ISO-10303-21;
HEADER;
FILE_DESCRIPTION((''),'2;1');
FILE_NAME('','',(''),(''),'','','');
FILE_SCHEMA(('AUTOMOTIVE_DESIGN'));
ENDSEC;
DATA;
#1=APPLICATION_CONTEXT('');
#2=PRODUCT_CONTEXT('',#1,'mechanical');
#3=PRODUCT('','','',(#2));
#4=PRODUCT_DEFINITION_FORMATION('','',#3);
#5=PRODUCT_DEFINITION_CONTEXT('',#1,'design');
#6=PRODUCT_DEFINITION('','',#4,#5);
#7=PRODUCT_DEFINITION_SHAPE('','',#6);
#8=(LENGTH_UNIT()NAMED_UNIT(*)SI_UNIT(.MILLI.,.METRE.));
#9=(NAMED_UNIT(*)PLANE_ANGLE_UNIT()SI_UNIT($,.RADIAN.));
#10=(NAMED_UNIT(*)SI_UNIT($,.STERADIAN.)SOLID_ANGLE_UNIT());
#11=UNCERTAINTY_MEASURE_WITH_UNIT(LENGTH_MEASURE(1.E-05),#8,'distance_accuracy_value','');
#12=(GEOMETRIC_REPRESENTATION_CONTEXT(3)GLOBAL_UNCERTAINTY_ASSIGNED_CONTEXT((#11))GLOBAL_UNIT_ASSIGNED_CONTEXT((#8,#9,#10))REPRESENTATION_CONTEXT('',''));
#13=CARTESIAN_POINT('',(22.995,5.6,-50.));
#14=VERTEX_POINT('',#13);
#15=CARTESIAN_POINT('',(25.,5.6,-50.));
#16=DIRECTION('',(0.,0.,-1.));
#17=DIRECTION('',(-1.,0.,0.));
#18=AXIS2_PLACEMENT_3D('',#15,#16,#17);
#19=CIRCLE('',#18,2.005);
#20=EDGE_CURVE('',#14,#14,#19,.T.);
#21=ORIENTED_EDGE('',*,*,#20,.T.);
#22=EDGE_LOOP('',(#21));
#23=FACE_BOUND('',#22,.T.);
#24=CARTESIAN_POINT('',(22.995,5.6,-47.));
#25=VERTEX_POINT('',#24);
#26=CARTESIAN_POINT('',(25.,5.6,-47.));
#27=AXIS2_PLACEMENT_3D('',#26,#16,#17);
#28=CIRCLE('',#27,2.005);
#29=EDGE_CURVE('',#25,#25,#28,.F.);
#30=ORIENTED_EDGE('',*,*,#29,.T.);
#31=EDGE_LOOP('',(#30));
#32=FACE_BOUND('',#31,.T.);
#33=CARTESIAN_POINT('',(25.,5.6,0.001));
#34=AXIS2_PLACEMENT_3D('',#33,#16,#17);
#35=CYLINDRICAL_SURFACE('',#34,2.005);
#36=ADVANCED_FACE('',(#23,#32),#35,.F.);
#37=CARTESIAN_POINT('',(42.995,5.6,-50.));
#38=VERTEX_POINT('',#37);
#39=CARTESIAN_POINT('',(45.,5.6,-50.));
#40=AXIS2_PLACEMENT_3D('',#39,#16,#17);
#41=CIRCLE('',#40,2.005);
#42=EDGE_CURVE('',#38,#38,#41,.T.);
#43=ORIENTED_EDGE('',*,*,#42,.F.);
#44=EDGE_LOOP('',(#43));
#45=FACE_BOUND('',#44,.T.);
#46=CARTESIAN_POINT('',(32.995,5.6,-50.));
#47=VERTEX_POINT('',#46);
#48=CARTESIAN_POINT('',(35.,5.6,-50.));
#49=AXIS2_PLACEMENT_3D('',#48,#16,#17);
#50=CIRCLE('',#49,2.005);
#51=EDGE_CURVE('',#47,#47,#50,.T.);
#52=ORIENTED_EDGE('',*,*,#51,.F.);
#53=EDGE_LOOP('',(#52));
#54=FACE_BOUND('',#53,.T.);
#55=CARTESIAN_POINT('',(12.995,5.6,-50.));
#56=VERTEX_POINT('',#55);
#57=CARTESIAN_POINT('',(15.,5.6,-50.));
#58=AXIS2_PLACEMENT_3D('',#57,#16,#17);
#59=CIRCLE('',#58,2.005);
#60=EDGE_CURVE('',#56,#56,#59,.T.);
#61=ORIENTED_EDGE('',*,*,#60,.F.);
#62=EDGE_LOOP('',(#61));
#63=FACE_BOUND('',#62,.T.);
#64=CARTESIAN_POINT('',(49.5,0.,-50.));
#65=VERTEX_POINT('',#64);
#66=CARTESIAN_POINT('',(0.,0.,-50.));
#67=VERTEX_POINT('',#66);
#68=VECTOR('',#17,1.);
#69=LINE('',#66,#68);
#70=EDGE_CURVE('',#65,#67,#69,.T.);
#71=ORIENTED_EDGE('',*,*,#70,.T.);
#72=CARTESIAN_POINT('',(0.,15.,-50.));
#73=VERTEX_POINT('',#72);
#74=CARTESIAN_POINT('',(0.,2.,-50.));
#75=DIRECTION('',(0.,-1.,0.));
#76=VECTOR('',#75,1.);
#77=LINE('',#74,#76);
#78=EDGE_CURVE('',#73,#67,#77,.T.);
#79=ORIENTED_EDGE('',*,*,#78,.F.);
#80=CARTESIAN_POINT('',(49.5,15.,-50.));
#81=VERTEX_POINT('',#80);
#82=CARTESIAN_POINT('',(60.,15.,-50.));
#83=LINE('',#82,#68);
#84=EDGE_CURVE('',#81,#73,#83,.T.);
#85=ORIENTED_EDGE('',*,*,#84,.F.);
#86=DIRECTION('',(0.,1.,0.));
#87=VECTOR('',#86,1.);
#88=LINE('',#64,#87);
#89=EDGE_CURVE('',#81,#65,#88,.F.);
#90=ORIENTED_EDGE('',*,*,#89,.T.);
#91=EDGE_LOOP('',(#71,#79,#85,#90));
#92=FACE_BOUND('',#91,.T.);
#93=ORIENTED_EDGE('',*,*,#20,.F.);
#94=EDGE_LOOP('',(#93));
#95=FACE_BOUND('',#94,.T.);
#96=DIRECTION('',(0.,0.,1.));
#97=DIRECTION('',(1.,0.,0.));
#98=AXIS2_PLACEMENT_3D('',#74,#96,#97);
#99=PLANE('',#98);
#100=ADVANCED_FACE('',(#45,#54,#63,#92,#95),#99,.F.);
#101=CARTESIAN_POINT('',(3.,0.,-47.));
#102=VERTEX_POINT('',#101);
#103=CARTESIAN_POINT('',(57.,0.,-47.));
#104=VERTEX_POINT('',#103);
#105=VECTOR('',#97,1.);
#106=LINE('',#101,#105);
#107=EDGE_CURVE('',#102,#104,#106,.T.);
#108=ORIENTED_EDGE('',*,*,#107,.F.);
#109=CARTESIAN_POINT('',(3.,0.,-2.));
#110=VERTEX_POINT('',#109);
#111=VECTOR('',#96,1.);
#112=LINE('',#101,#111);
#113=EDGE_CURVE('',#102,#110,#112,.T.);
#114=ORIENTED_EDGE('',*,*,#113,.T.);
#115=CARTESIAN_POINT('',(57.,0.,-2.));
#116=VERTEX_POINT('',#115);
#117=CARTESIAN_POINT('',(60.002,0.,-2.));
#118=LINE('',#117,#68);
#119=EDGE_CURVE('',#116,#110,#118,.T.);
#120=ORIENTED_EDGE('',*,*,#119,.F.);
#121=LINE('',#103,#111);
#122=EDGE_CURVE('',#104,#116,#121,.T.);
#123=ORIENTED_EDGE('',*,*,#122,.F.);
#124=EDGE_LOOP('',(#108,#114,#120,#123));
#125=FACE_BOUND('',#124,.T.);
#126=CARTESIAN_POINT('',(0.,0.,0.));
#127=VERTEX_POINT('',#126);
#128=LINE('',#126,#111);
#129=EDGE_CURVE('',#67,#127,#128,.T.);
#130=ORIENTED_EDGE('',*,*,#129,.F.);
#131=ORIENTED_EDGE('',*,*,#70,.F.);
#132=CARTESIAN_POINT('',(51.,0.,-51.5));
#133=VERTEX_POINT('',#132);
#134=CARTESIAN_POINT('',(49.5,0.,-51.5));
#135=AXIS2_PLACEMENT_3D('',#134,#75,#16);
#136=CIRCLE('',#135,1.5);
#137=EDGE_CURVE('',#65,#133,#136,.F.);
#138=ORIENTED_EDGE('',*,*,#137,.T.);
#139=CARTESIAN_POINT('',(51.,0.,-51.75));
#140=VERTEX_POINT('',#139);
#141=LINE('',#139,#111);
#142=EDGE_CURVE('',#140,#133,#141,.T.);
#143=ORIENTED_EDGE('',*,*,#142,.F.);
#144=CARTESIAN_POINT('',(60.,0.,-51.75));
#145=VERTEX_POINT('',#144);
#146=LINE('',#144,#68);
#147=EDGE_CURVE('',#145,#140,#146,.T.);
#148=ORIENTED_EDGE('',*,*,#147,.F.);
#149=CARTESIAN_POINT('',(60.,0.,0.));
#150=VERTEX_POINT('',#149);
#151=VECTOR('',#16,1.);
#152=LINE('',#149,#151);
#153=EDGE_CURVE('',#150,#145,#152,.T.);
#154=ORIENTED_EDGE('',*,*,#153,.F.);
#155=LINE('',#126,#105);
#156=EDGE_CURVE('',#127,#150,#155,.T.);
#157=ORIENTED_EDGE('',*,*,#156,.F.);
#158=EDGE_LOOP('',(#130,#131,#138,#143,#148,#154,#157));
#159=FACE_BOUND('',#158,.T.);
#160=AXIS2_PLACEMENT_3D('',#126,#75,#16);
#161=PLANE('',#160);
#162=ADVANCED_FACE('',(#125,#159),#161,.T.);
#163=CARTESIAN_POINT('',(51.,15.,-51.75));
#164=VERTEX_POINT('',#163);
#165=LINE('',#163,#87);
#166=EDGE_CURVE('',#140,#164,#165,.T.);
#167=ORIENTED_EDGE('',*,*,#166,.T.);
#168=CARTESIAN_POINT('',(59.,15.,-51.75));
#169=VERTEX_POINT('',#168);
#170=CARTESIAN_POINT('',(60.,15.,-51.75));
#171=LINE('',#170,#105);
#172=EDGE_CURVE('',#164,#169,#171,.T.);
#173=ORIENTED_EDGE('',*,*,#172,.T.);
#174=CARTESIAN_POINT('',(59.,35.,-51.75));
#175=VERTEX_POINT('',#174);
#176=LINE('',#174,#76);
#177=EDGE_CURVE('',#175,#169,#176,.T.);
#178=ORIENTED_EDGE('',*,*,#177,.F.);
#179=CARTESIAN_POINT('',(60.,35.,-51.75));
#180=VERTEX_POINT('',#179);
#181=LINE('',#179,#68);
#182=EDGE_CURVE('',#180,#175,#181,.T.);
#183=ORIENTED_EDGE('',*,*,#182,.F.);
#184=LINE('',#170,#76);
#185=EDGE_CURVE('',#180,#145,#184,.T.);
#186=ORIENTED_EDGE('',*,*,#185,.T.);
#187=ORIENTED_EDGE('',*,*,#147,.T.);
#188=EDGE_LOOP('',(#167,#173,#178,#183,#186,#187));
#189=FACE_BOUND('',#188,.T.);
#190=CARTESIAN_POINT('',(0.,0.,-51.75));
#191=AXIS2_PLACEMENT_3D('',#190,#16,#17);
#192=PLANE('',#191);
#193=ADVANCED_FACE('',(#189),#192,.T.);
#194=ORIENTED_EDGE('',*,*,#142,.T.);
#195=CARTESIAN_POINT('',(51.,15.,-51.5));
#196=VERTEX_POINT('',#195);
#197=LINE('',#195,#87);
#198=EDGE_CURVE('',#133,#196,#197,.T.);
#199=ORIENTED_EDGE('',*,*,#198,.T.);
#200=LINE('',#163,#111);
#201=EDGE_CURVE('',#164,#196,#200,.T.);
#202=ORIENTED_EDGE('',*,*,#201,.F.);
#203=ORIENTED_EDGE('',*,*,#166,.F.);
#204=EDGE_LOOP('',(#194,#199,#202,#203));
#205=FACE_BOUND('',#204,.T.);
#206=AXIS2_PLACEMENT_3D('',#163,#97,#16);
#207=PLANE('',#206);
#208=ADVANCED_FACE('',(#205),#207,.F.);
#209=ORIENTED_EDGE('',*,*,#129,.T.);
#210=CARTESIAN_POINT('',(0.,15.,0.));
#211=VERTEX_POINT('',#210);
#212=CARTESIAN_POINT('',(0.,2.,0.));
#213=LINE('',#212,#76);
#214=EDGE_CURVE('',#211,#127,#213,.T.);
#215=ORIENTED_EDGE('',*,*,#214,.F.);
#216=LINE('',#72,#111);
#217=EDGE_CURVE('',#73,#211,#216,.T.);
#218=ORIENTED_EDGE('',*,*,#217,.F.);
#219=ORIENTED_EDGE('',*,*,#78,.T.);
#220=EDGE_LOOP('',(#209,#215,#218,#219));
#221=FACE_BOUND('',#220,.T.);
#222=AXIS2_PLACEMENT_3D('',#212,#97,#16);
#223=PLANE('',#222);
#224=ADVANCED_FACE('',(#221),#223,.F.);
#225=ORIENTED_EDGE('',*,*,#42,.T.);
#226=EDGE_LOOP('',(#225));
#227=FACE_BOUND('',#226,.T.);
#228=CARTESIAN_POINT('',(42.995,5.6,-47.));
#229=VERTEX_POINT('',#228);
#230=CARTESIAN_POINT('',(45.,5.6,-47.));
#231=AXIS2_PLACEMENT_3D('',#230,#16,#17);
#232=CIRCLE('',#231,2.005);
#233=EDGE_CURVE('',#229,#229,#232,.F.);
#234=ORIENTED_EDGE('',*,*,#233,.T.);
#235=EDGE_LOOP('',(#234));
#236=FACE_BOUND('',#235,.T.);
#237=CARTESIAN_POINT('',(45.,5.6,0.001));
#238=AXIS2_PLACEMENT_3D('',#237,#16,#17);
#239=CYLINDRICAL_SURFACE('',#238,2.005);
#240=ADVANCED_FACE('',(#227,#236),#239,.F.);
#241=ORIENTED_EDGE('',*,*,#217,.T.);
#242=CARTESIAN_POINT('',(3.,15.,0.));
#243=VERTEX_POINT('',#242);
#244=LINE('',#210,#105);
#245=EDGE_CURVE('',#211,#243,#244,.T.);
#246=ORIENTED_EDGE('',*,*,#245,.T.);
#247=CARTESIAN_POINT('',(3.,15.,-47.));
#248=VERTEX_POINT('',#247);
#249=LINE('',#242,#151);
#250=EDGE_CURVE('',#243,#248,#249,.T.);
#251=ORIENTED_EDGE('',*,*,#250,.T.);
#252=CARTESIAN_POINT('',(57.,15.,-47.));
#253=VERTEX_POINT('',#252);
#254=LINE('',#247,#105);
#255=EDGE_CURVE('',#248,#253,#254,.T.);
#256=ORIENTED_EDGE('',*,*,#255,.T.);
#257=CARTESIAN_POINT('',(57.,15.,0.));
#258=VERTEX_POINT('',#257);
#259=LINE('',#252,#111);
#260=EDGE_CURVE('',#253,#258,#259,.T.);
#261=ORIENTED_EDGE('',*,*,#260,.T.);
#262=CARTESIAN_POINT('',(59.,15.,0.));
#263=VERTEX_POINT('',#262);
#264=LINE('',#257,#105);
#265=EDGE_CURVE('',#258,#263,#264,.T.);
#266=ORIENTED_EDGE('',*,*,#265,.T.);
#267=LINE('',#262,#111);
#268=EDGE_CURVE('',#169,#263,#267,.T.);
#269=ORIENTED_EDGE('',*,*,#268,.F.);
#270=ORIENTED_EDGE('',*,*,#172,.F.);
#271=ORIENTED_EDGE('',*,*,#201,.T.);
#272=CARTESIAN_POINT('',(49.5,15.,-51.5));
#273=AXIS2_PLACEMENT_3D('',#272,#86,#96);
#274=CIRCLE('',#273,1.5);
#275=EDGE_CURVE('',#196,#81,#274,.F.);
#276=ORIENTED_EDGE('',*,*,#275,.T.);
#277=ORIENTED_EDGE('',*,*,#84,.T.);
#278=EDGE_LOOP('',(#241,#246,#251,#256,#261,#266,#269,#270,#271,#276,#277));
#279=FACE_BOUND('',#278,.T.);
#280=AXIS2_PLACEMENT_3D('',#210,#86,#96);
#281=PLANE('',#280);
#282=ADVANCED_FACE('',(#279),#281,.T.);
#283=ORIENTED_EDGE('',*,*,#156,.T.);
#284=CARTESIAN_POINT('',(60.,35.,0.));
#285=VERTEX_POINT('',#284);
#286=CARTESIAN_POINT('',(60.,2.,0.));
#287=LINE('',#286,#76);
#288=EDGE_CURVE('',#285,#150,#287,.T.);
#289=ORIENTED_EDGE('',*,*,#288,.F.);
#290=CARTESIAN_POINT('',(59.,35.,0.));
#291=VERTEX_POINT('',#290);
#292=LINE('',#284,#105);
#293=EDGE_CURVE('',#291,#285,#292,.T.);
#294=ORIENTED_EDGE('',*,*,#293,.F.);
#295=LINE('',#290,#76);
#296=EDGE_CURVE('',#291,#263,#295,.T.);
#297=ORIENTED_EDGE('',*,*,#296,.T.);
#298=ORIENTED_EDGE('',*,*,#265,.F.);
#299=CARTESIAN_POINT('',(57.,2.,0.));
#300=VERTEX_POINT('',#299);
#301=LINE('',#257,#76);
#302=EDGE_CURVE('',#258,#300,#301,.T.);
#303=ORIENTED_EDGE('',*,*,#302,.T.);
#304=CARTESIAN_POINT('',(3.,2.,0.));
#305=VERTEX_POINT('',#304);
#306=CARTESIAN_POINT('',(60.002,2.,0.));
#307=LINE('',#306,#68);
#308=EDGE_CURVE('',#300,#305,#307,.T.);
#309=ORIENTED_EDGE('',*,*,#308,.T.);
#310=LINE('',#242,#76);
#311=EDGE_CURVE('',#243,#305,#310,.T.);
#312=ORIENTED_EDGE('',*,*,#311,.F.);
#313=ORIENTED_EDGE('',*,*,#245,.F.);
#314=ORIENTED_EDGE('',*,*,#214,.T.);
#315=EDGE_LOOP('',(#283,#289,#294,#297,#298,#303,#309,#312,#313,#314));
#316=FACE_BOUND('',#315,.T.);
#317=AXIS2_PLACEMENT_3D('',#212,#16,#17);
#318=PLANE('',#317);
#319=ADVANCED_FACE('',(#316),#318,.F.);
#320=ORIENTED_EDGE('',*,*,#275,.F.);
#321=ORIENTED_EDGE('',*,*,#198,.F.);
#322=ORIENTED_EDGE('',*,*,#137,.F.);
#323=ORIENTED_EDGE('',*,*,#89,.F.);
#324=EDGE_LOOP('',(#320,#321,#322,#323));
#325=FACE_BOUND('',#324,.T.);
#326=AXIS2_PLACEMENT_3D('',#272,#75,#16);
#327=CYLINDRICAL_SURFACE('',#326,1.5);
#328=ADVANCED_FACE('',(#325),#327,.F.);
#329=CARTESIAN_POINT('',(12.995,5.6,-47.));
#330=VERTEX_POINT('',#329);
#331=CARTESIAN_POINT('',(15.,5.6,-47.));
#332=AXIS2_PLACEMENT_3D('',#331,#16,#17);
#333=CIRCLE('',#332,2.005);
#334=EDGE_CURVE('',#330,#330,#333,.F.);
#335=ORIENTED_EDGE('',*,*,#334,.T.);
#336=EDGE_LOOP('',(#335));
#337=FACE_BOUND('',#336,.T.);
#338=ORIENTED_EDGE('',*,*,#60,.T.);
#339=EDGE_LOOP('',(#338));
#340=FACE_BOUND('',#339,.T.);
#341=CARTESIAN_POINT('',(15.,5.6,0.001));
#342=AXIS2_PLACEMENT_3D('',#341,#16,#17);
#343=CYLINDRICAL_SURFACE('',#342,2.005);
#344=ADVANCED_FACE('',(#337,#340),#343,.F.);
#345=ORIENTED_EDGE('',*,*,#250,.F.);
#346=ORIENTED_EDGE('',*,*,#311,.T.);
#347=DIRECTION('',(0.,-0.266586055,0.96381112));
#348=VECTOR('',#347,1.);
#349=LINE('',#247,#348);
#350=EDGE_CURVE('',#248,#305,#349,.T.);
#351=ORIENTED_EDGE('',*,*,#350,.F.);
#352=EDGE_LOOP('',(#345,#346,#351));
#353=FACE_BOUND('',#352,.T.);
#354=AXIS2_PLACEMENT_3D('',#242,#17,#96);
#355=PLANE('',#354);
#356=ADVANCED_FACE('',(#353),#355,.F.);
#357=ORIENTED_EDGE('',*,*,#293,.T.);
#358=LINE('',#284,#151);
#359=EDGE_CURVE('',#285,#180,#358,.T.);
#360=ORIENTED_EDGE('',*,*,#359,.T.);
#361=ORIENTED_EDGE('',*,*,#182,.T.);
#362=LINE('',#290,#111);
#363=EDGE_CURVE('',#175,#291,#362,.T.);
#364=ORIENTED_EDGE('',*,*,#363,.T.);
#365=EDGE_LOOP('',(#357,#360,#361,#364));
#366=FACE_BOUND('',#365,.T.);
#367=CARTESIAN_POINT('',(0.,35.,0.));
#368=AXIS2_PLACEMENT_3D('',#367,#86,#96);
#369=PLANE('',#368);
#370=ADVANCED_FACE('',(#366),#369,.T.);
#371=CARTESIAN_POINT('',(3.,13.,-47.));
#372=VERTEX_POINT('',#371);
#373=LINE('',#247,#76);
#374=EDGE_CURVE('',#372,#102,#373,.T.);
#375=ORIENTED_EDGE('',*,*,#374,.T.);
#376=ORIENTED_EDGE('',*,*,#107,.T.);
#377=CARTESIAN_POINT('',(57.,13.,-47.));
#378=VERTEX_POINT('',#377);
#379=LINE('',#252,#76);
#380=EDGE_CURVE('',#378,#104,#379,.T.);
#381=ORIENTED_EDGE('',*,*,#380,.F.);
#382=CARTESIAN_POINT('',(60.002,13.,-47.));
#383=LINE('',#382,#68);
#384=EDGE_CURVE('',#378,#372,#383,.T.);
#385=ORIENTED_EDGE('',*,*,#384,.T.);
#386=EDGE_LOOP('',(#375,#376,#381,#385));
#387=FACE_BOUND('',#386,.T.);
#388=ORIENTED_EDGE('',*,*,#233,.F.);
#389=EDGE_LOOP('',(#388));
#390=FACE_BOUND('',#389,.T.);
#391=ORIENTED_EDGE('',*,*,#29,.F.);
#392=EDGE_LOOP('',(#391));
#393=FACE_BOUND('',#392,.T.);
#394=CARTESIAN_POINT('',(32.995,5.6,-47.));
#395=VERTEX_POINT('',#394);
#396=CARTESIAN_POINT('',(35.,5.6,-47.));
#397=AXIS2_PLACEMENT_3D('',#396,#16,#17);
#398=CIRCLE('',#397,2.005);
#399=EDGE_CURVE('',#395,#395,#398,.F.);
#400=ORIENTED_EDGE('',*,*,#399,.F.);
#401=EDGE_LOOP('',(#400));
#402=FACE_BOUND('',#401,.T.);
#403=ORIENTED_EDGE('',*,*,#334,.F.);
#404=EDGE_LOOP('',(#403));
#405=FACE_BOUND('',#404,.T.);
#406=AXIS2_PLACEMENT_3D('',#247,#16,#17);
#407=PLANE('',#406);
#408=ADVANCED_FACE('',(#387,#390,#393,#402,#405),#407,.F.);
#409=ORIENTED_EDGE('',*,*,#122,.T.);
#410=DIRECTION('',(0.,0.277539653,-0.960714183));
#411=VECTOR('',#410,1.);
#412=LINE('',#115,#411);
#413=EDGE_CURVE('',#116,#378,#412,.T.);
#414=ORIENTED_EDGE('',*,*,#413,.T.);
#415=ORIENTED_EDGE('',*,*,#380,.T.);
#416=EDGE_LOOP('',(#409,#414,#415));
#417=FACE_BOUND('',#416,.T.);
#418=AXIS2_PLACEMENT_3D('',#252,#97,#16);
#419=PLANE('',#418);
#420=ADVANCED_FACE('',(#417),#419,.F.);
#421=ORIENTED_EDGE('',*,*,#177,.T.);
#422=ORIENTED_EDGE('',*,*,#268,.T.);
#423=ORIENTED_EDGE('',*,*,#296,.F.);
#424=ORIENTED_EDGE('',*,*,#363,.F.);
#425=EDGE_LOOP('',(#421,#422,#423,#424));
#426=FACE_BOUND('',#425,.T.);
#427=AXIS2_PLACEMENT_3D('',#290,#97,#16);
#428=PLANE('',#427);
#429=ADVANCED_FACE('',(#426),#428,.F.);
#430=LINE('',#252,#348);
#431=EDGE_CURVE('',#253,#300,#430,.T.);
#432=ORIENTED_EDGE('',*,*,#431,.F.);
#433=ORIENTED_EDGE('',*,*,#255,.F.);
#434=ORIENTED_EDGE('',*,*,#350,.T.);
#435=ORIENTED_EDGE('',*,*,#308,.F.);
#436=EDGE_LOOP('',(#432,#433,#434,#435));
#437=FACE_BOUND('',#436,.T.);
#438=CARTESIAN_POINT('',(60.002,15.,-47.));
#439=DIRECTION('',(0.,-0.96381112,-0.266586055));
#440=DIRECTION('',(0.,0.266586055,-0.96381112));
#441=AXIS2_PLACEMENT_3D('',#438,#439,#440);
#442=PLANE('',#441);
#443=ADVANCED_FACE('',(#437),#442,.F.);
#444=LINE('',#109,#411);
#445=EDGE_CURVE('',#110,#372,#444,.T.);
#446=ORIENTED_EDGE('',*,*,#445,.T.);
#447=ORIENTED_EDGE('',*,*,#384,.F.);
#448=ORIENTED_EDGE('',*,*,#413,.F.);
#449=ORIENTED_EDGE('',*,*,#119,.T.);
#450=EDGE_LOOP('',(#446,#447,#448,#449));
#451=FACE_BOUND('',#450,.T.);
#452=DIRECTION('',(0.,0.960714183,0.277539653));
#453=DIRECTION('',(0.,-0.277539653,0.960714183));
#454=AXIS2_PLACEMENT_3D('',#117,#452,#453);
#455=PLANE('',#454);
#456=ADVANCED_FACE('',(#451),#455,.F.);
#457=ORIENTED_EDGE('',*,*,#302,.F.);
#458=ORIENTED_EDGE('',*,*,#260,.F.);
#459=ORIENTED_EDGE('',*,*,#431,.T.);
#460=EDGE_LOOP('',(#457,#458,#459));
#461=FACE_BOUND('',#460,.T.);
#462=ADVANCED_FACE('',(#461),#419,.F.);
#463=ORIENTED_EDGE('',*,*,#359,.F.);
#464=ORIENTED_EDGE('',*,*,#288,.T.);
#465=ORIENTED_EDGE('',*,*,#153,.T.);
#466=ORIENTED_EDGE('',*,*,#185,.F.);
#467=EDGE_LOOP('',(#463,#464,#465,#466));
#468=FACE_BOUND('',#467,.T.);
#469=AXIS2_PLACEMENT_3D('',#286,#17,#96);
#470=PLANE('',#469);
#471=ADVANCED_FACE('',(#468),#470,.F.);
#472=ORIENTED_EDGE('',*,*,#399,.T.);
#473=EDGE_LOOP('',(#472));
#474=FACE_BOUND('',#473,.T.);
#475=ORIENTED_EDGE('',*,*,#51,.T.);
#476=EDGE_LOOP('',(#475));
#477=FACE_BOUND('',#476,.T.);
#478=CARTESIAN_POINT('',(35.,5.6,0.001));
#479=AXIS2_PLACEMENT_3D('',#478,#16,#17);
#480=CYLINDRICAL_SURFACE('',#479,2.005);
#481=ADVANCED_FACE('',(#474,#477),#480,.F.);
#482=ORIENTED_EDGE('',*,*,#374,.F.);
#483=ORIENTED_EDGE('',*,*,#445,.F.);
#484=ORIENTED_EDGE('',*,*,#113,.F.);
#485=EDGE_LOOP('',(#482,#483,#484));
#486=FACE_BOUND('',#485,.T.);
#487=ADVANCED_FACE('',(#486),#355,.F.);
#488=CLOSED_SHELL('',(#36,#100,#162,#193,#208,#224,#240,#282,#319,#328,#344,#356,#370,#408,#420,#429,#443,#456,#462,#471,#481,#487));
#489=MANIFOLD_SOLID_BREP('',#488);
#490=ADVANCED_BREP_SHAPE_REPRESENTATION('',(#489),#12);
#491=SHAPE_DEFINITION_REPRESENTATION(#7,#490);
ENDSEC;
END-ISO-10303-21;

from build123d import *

# Parameters (mm, degrees)
SKETCH1_W           = 60
SKETCH1_H           = 50
BOSS_EXTRUDE1_DEPTH = 2
BOSS_EXTRUDE2_DEPTH = 13
SKETCH3_W           = 9
SKETCH3_H           = 15
BOSS_EXTRUDE3_DEPTH = 1.75
FILLET1_R           = 1.5
CUT_EXTRUDE1_REACH  = 81.53
SKETCH4_R           = 2.005
SKETCH5_W           = 1
SKETCH5_H           = 51.75
BOSS_EXTRUDE4_DEPTH = 20
SKETCH6_W           = 54
SKETCH6_H           = 2
CUT_EXTRUDE2_DEPTH  = 47
BOSS_EXTRUDE5_REACH = 86.57


with BuildPart() as part:
    # Sketch1 → Boss-Extrude1 (new body)
    with BuildSketch(Plane(origin=(0, 0, 0), x_dir=(1, 0, 0), z_dir=(0, 1, 0))):
        with Locations((30, 25)):
            Rectangle(SKETCH1_W, SKETCH1_H)
    extrude(amount=BOSS_EXTRUDE1_DEPTH)

    # Sketch2 → Boss-Extrude2 (add)
    with BuildSketch(Plane(origin=(0, 2, 0), x_dir=(1, 0, 0), z_dir=(0, 1, 0))):
        Polygon((60, 0), (60, 50), (0, 50), (0, 0), (3, 0), (3, 47), (57, 47), (57, 0), align=None)
    extrude(amount=BOSS_EXTRUDE2_DEPTH)

    # Sketch3 → Boss-Extrude3 (add)
    with BuildSketch(Plane(origin=(0, 0, -50), x_dir=(-1, 0, 0), z_dir=(0, 0, -1))):
        with Locations((-55.5, 7.5)):
            Rectangle(SKETCH3_W, SKETCH3_H)
    extrude(amount=BOSS_EXTRUDE3_DEPTH)

    # Fillet1
    fillet1_edges = [part.edges().sort_by_distance(p)[0] for p in [
        (51, 7.5, -50),
    ]]
    fillet(fillet1_edges, radius=FILLET1_R)

    # Sketch4 → Cut-Extrude1 (cut, up to next)
    with BuildSketch(Plane(origin=(0, 0, -50), x_dir=(-1, 0, 0), z_dir=(0, 0, -1)), mode=Mode.PRIVATE) as cut_extrude1_sk1:
        with Locations((-45, 5.6)):
            Circle(SKETCH4_R)
    cut_extrude1_tool1 = extrude(cut_extrude1_sk1.sketch, amount=-CUT_EXTRUDE1_REACH, mode=Mode.PRIVATE) & part.part
    # Sketch4 → Cut-Extrude1 (cut, up to next)
    with BuildSketch(Plane(origin=(0, 0, -50), x_dir=(-1, 0, 0), z_dir=(0, 0, -1)), mode=Mode.PRIVATE) as cut_extrude1_sk2:
        with Locations((-35, 5.6)):
            Circle(SKETCH4_R)
    cut_extrude1_tool2 = extrude(cut_extrude1_sk2.sketch, amount=-CUT_EXTRUDE1_REACH, mode=Mode.PRIVATE) & part.part
    # Sketch4 → Cut-Extrude1 (cut, up to next)
    with BuildSketch(Plane(origin=(0, 0, -50), x_dir=(-1, 0, 0), z_dir=(0, 0, -1)), mode=Mode.PRIVATE) as cut_extrude1_sk3:
        with Locations((-25, 5.6)):
            Circle(SKETCH4_R)
    cut_extrude1_tool3 = extrude(cut_extrude1_sk3.sketch, amount=-CUT_EXTRUDE1_REACH, mode=Mode.PRIVATE) & part.part
    # Sketch4 → Cut-Extrude1 (cut, up to next)
    with BuildSketch(Plane(origin=(0, 0, -50), x_dir=(-1, 0, 0), z_dir=(0, 0, -1)), mode=Mode.PRIVATE) as cut_extrude1_sk4:
        with Locations((-15, 5.6)):
            Circle(SKETCH4_R)
    cut_extrude1_tool4 = extrude(cut_extrude1_sk4.sketch, amount=-CUT_EXTRUDE1_REACH, mode=Mode.PRIVATE) & part.part
    add(cut_extrude1_tool1.solids().sort_by_distance((45, 5.6, -50))[0], mode=Mode.SUBTRACT)
    add(cut_extrude1_tool2.solids().sort_by_distance((35, 5.6, -50))[0], mode=Mode.SUBTRACT)
    add(cut_extrude1_tool3.solids().sort_by_distance((25, 5.6, -50))[0], mode=Mode.SUBTRACT)
    add(cut_extrude1_tool4.solids().sort_by_distance((15, 5.6, -50))[0], mode=Mode.SUBTRACT)

    # Sketch5 → Boss-Extrude4 (add)
    with BuildSketch(Plane(origin=(0, 15, 0), x_dir=(1, 0, 0), z_dir=(0, 1, 0))):
        with Locations((59.5, 25.875)):
            Rectangle(SKETCH5_W, SKETCH5_H)
    extrude(amount=BOSS_EXTRUDE4_DEPTH)

    # Sketch6 → Cut-Extrude2 (cut)
    with BuildSketch(Plane.XY):
        with Locations((30, 1)):
            Rectangle(SKETCH6_W, SKETCH6_H)
    extrude(amount=-CUT_EXTRUDE2_DEPTH, mode=Mode.SUBTRACT)

    # Sketch7 → Boss-Extrude5 (add, up to next)
    with BuildSketch(Plane(origin=(3, 0, 0), x_dir=(0, 0, -1), z_dir=(1, 0, 0)), mode=Mode.PRIVATE) as boss_extrude5_sk1:
        Polygon((0, 2), (0, 0), (2, 0), (47, 13), (47, 15), align=None)
    boss_extrude5_tool1 = extrude(boss_extrude5_sk1.sketch, amount=BOSS_EXTRUDE5_REACH, mode=Mode.PRIVATE) - part.part
    add(boss_extrude5_tool1.solids().sort_by_distance((3, 7.115265, -22.629283))[0])


solid = part.part
